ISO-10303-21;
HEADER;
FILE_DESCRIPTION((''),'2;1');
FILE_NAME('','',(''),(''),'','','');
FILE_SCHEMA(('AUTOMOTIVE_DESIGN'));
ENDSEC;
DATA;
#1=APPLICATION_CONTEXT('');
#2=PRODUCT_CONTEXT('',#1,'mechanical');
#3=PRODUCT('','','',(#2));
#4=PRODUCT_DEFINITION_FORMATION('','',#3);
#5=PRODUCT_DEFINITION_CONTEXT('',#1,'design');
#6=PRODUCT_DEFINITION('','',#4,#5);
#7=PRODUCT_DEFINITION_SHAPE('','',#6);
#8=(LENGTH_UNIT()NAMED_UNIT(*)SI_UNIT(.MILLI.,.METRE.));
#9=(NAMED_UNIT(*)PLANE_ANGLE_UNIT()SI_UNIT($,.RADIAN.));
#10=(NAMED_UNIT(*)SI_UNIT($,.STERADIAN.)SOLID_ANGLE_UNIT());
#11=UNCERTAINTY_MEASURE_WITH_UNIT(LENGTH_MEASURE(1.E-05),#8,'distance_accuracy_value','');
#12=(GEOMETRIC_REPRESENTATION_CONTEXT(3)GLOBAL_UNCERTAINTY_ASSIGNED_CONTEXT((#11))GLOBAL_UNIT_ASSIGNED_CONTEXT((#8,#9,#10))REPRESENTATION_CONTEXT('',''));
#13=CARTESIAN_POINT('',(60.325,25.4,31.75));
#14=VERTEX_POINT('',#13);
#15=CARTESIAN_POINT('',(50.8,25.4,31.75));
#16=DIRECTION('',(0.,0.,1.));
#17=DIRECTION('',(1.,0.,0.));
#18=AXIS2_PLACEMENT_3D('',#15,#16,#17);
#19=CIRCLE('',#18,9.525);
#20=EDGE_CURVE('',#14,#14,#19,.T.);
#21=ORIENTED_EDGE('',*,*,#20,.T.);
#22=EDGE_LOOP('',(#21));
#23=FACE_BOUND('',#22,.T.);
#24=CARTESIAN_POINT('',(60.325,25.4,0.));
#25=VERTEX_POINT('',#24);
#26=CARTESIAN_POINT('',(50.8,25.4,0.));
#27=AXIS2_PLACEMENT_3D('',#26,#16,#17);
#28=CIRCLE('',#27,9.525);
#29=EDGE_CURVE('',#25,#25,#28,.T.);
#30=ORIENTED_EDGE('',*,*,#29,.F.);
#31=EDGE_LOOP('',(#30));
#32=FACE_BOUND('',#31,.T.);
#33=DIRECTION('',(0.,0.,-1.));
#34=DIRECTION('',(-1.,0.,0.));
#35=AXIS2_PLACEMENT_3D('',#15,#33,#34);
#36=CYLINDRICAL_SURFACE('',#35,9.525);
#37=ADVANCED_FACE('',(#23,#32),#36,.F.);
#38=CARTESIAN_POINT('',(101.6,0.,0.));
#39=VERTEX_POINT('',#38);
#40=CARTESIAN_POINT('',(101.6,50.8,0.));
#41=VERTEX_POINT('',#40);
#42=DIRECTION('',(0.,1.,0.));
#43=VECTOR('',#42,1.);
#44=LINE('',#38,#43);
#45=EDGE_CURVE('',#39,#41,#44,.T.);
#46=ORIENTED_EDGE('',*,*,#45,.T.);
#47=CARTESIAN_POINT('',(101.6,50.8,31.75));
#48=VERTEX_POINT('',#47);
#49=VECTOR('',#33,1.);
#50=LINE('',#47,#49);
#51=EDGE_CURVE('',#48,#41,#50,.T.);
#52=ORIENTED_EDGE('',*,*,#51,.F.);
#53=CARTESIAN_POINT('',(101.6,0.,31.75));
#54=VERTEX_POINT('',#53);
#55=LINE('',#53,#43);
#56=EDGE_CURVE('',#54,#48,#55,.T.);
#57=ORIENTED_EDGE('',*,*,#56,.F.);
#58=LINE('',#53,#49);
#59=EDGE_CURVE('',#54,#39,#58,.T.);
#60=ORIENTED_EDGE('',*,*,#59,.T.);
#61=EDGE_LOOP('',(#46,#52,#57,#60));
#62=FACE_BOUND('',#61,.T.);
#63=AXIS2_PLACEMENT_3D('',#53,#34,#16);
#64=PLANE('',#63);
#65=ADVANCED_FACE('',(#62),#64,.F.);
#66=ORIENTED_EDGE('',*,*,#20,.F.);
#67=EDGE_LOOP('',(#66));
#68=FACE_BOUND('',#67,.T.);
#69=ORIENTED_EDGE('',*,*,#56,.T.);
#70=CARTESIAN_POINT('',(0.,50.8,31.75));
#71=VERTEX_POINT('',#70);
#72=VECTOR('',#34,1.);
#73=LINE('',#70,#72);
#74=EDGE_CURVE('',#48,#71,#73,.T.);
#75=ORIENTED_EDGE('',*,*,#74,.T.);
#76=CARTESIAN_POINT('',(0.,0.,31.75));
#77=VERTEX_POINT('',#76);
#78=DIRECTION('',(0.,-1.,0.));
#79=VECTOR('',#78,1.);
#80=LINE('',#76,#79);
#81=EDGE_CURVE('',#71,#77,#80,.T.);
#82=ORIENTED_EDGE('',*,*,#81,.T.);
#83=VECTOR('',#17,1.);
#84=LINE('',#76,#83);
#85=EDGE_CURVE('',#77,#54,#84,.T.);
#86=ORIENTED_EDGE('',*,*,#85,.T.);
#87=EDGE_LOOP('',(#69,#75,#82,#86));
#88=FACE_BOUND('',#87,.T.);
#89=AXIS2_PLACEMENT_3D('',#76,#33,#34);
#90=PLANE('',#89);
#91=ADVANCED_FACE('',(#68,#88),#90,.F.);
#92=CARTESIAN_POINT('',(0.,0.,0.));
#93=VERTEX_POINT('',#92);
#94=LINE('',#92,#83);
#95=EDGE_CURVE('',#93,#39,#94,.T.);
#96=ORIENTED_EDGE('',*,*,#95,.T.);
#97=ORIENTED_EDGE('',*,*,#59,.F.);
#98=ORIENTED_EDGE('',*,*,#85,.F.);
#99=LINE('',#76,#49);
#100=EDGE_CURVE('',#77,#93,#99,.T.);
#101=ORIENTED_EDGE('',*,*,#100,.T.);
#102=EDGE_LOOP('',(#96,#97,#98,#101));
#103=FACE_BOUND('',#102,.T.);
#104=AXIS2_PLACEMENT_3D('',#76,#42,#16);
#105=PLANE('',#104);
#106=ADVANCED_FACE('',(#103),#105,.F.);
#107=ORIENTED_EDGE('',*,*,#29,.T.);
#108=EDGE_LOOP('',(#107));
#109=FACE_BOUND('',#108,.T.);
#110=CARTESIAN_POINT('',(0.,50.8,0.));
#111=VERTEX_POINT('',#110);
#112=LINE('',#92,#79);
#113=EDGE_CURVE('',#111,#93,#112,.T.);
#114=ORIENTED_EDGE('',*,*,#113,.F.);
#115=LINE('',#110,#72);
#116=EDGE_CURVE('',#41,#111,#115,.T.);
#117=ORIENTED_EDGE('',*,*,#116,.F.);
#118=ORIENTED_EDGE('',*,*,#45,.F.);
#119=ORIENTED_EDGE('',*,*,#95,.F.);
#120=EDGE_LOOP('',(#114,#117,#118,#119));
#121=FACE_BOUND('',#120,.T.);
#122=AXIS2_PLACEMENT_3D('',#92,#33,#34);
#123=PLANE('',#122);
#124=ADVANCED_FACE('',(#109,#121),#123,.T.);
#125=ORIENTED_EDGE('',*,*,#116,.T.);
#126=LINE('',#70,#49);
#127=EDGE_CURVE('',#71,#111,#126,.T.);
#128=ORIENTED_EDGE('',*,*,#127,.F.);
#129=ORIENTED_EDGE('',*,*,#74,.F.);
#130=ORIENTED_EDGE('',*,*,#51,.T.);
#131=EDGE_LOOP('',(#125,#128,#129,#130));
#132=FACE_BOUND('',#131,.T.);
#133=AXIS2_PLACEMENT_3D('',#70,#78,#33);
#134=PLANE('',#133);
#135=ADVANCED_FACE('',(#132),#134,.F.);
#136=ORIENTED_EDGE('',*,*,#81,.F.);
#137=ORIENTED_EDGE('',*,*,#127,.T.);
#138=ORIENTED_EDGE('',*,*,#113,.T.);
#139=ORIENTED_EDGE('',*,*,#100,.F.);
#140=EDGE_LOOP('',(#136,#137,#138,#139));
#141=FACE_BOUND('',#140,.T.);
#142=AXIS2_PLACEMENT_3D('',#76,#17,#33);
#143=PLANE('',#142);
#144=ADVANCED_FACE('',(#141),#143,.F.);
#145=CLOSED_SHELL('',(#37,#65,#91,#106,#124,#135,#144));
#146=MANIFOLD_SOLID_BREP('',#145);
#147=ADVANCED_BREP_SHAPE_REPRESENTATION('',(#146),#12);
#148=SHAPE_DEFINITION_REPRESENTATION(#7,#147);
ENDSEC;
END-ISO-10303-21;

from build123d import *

# Parameters (mm, degrees)
SKETCH2_W           = 101.6
SKETCH2_H           = 50.8
SKETCH2_R           = 9.525
BOSS_EXTRUDE1_DEPTH = 31.75


with BuildPart() as part:
    # Sketch2 → Boss-Extrude1 (new body)
    with BuildSketch(Plane.XY):
        with Locations((50.8, 25.4)):
            Rectangle(SKETCH2_W, SKETCH2_H)
        with Locations((50.8, 25.4)):
            Circle(SKETCH2_R, mode=Mode.SUBTRACT)
    extrude(amount=BOSS_EXTRUDE1_DEPTH)


solid = part.part
